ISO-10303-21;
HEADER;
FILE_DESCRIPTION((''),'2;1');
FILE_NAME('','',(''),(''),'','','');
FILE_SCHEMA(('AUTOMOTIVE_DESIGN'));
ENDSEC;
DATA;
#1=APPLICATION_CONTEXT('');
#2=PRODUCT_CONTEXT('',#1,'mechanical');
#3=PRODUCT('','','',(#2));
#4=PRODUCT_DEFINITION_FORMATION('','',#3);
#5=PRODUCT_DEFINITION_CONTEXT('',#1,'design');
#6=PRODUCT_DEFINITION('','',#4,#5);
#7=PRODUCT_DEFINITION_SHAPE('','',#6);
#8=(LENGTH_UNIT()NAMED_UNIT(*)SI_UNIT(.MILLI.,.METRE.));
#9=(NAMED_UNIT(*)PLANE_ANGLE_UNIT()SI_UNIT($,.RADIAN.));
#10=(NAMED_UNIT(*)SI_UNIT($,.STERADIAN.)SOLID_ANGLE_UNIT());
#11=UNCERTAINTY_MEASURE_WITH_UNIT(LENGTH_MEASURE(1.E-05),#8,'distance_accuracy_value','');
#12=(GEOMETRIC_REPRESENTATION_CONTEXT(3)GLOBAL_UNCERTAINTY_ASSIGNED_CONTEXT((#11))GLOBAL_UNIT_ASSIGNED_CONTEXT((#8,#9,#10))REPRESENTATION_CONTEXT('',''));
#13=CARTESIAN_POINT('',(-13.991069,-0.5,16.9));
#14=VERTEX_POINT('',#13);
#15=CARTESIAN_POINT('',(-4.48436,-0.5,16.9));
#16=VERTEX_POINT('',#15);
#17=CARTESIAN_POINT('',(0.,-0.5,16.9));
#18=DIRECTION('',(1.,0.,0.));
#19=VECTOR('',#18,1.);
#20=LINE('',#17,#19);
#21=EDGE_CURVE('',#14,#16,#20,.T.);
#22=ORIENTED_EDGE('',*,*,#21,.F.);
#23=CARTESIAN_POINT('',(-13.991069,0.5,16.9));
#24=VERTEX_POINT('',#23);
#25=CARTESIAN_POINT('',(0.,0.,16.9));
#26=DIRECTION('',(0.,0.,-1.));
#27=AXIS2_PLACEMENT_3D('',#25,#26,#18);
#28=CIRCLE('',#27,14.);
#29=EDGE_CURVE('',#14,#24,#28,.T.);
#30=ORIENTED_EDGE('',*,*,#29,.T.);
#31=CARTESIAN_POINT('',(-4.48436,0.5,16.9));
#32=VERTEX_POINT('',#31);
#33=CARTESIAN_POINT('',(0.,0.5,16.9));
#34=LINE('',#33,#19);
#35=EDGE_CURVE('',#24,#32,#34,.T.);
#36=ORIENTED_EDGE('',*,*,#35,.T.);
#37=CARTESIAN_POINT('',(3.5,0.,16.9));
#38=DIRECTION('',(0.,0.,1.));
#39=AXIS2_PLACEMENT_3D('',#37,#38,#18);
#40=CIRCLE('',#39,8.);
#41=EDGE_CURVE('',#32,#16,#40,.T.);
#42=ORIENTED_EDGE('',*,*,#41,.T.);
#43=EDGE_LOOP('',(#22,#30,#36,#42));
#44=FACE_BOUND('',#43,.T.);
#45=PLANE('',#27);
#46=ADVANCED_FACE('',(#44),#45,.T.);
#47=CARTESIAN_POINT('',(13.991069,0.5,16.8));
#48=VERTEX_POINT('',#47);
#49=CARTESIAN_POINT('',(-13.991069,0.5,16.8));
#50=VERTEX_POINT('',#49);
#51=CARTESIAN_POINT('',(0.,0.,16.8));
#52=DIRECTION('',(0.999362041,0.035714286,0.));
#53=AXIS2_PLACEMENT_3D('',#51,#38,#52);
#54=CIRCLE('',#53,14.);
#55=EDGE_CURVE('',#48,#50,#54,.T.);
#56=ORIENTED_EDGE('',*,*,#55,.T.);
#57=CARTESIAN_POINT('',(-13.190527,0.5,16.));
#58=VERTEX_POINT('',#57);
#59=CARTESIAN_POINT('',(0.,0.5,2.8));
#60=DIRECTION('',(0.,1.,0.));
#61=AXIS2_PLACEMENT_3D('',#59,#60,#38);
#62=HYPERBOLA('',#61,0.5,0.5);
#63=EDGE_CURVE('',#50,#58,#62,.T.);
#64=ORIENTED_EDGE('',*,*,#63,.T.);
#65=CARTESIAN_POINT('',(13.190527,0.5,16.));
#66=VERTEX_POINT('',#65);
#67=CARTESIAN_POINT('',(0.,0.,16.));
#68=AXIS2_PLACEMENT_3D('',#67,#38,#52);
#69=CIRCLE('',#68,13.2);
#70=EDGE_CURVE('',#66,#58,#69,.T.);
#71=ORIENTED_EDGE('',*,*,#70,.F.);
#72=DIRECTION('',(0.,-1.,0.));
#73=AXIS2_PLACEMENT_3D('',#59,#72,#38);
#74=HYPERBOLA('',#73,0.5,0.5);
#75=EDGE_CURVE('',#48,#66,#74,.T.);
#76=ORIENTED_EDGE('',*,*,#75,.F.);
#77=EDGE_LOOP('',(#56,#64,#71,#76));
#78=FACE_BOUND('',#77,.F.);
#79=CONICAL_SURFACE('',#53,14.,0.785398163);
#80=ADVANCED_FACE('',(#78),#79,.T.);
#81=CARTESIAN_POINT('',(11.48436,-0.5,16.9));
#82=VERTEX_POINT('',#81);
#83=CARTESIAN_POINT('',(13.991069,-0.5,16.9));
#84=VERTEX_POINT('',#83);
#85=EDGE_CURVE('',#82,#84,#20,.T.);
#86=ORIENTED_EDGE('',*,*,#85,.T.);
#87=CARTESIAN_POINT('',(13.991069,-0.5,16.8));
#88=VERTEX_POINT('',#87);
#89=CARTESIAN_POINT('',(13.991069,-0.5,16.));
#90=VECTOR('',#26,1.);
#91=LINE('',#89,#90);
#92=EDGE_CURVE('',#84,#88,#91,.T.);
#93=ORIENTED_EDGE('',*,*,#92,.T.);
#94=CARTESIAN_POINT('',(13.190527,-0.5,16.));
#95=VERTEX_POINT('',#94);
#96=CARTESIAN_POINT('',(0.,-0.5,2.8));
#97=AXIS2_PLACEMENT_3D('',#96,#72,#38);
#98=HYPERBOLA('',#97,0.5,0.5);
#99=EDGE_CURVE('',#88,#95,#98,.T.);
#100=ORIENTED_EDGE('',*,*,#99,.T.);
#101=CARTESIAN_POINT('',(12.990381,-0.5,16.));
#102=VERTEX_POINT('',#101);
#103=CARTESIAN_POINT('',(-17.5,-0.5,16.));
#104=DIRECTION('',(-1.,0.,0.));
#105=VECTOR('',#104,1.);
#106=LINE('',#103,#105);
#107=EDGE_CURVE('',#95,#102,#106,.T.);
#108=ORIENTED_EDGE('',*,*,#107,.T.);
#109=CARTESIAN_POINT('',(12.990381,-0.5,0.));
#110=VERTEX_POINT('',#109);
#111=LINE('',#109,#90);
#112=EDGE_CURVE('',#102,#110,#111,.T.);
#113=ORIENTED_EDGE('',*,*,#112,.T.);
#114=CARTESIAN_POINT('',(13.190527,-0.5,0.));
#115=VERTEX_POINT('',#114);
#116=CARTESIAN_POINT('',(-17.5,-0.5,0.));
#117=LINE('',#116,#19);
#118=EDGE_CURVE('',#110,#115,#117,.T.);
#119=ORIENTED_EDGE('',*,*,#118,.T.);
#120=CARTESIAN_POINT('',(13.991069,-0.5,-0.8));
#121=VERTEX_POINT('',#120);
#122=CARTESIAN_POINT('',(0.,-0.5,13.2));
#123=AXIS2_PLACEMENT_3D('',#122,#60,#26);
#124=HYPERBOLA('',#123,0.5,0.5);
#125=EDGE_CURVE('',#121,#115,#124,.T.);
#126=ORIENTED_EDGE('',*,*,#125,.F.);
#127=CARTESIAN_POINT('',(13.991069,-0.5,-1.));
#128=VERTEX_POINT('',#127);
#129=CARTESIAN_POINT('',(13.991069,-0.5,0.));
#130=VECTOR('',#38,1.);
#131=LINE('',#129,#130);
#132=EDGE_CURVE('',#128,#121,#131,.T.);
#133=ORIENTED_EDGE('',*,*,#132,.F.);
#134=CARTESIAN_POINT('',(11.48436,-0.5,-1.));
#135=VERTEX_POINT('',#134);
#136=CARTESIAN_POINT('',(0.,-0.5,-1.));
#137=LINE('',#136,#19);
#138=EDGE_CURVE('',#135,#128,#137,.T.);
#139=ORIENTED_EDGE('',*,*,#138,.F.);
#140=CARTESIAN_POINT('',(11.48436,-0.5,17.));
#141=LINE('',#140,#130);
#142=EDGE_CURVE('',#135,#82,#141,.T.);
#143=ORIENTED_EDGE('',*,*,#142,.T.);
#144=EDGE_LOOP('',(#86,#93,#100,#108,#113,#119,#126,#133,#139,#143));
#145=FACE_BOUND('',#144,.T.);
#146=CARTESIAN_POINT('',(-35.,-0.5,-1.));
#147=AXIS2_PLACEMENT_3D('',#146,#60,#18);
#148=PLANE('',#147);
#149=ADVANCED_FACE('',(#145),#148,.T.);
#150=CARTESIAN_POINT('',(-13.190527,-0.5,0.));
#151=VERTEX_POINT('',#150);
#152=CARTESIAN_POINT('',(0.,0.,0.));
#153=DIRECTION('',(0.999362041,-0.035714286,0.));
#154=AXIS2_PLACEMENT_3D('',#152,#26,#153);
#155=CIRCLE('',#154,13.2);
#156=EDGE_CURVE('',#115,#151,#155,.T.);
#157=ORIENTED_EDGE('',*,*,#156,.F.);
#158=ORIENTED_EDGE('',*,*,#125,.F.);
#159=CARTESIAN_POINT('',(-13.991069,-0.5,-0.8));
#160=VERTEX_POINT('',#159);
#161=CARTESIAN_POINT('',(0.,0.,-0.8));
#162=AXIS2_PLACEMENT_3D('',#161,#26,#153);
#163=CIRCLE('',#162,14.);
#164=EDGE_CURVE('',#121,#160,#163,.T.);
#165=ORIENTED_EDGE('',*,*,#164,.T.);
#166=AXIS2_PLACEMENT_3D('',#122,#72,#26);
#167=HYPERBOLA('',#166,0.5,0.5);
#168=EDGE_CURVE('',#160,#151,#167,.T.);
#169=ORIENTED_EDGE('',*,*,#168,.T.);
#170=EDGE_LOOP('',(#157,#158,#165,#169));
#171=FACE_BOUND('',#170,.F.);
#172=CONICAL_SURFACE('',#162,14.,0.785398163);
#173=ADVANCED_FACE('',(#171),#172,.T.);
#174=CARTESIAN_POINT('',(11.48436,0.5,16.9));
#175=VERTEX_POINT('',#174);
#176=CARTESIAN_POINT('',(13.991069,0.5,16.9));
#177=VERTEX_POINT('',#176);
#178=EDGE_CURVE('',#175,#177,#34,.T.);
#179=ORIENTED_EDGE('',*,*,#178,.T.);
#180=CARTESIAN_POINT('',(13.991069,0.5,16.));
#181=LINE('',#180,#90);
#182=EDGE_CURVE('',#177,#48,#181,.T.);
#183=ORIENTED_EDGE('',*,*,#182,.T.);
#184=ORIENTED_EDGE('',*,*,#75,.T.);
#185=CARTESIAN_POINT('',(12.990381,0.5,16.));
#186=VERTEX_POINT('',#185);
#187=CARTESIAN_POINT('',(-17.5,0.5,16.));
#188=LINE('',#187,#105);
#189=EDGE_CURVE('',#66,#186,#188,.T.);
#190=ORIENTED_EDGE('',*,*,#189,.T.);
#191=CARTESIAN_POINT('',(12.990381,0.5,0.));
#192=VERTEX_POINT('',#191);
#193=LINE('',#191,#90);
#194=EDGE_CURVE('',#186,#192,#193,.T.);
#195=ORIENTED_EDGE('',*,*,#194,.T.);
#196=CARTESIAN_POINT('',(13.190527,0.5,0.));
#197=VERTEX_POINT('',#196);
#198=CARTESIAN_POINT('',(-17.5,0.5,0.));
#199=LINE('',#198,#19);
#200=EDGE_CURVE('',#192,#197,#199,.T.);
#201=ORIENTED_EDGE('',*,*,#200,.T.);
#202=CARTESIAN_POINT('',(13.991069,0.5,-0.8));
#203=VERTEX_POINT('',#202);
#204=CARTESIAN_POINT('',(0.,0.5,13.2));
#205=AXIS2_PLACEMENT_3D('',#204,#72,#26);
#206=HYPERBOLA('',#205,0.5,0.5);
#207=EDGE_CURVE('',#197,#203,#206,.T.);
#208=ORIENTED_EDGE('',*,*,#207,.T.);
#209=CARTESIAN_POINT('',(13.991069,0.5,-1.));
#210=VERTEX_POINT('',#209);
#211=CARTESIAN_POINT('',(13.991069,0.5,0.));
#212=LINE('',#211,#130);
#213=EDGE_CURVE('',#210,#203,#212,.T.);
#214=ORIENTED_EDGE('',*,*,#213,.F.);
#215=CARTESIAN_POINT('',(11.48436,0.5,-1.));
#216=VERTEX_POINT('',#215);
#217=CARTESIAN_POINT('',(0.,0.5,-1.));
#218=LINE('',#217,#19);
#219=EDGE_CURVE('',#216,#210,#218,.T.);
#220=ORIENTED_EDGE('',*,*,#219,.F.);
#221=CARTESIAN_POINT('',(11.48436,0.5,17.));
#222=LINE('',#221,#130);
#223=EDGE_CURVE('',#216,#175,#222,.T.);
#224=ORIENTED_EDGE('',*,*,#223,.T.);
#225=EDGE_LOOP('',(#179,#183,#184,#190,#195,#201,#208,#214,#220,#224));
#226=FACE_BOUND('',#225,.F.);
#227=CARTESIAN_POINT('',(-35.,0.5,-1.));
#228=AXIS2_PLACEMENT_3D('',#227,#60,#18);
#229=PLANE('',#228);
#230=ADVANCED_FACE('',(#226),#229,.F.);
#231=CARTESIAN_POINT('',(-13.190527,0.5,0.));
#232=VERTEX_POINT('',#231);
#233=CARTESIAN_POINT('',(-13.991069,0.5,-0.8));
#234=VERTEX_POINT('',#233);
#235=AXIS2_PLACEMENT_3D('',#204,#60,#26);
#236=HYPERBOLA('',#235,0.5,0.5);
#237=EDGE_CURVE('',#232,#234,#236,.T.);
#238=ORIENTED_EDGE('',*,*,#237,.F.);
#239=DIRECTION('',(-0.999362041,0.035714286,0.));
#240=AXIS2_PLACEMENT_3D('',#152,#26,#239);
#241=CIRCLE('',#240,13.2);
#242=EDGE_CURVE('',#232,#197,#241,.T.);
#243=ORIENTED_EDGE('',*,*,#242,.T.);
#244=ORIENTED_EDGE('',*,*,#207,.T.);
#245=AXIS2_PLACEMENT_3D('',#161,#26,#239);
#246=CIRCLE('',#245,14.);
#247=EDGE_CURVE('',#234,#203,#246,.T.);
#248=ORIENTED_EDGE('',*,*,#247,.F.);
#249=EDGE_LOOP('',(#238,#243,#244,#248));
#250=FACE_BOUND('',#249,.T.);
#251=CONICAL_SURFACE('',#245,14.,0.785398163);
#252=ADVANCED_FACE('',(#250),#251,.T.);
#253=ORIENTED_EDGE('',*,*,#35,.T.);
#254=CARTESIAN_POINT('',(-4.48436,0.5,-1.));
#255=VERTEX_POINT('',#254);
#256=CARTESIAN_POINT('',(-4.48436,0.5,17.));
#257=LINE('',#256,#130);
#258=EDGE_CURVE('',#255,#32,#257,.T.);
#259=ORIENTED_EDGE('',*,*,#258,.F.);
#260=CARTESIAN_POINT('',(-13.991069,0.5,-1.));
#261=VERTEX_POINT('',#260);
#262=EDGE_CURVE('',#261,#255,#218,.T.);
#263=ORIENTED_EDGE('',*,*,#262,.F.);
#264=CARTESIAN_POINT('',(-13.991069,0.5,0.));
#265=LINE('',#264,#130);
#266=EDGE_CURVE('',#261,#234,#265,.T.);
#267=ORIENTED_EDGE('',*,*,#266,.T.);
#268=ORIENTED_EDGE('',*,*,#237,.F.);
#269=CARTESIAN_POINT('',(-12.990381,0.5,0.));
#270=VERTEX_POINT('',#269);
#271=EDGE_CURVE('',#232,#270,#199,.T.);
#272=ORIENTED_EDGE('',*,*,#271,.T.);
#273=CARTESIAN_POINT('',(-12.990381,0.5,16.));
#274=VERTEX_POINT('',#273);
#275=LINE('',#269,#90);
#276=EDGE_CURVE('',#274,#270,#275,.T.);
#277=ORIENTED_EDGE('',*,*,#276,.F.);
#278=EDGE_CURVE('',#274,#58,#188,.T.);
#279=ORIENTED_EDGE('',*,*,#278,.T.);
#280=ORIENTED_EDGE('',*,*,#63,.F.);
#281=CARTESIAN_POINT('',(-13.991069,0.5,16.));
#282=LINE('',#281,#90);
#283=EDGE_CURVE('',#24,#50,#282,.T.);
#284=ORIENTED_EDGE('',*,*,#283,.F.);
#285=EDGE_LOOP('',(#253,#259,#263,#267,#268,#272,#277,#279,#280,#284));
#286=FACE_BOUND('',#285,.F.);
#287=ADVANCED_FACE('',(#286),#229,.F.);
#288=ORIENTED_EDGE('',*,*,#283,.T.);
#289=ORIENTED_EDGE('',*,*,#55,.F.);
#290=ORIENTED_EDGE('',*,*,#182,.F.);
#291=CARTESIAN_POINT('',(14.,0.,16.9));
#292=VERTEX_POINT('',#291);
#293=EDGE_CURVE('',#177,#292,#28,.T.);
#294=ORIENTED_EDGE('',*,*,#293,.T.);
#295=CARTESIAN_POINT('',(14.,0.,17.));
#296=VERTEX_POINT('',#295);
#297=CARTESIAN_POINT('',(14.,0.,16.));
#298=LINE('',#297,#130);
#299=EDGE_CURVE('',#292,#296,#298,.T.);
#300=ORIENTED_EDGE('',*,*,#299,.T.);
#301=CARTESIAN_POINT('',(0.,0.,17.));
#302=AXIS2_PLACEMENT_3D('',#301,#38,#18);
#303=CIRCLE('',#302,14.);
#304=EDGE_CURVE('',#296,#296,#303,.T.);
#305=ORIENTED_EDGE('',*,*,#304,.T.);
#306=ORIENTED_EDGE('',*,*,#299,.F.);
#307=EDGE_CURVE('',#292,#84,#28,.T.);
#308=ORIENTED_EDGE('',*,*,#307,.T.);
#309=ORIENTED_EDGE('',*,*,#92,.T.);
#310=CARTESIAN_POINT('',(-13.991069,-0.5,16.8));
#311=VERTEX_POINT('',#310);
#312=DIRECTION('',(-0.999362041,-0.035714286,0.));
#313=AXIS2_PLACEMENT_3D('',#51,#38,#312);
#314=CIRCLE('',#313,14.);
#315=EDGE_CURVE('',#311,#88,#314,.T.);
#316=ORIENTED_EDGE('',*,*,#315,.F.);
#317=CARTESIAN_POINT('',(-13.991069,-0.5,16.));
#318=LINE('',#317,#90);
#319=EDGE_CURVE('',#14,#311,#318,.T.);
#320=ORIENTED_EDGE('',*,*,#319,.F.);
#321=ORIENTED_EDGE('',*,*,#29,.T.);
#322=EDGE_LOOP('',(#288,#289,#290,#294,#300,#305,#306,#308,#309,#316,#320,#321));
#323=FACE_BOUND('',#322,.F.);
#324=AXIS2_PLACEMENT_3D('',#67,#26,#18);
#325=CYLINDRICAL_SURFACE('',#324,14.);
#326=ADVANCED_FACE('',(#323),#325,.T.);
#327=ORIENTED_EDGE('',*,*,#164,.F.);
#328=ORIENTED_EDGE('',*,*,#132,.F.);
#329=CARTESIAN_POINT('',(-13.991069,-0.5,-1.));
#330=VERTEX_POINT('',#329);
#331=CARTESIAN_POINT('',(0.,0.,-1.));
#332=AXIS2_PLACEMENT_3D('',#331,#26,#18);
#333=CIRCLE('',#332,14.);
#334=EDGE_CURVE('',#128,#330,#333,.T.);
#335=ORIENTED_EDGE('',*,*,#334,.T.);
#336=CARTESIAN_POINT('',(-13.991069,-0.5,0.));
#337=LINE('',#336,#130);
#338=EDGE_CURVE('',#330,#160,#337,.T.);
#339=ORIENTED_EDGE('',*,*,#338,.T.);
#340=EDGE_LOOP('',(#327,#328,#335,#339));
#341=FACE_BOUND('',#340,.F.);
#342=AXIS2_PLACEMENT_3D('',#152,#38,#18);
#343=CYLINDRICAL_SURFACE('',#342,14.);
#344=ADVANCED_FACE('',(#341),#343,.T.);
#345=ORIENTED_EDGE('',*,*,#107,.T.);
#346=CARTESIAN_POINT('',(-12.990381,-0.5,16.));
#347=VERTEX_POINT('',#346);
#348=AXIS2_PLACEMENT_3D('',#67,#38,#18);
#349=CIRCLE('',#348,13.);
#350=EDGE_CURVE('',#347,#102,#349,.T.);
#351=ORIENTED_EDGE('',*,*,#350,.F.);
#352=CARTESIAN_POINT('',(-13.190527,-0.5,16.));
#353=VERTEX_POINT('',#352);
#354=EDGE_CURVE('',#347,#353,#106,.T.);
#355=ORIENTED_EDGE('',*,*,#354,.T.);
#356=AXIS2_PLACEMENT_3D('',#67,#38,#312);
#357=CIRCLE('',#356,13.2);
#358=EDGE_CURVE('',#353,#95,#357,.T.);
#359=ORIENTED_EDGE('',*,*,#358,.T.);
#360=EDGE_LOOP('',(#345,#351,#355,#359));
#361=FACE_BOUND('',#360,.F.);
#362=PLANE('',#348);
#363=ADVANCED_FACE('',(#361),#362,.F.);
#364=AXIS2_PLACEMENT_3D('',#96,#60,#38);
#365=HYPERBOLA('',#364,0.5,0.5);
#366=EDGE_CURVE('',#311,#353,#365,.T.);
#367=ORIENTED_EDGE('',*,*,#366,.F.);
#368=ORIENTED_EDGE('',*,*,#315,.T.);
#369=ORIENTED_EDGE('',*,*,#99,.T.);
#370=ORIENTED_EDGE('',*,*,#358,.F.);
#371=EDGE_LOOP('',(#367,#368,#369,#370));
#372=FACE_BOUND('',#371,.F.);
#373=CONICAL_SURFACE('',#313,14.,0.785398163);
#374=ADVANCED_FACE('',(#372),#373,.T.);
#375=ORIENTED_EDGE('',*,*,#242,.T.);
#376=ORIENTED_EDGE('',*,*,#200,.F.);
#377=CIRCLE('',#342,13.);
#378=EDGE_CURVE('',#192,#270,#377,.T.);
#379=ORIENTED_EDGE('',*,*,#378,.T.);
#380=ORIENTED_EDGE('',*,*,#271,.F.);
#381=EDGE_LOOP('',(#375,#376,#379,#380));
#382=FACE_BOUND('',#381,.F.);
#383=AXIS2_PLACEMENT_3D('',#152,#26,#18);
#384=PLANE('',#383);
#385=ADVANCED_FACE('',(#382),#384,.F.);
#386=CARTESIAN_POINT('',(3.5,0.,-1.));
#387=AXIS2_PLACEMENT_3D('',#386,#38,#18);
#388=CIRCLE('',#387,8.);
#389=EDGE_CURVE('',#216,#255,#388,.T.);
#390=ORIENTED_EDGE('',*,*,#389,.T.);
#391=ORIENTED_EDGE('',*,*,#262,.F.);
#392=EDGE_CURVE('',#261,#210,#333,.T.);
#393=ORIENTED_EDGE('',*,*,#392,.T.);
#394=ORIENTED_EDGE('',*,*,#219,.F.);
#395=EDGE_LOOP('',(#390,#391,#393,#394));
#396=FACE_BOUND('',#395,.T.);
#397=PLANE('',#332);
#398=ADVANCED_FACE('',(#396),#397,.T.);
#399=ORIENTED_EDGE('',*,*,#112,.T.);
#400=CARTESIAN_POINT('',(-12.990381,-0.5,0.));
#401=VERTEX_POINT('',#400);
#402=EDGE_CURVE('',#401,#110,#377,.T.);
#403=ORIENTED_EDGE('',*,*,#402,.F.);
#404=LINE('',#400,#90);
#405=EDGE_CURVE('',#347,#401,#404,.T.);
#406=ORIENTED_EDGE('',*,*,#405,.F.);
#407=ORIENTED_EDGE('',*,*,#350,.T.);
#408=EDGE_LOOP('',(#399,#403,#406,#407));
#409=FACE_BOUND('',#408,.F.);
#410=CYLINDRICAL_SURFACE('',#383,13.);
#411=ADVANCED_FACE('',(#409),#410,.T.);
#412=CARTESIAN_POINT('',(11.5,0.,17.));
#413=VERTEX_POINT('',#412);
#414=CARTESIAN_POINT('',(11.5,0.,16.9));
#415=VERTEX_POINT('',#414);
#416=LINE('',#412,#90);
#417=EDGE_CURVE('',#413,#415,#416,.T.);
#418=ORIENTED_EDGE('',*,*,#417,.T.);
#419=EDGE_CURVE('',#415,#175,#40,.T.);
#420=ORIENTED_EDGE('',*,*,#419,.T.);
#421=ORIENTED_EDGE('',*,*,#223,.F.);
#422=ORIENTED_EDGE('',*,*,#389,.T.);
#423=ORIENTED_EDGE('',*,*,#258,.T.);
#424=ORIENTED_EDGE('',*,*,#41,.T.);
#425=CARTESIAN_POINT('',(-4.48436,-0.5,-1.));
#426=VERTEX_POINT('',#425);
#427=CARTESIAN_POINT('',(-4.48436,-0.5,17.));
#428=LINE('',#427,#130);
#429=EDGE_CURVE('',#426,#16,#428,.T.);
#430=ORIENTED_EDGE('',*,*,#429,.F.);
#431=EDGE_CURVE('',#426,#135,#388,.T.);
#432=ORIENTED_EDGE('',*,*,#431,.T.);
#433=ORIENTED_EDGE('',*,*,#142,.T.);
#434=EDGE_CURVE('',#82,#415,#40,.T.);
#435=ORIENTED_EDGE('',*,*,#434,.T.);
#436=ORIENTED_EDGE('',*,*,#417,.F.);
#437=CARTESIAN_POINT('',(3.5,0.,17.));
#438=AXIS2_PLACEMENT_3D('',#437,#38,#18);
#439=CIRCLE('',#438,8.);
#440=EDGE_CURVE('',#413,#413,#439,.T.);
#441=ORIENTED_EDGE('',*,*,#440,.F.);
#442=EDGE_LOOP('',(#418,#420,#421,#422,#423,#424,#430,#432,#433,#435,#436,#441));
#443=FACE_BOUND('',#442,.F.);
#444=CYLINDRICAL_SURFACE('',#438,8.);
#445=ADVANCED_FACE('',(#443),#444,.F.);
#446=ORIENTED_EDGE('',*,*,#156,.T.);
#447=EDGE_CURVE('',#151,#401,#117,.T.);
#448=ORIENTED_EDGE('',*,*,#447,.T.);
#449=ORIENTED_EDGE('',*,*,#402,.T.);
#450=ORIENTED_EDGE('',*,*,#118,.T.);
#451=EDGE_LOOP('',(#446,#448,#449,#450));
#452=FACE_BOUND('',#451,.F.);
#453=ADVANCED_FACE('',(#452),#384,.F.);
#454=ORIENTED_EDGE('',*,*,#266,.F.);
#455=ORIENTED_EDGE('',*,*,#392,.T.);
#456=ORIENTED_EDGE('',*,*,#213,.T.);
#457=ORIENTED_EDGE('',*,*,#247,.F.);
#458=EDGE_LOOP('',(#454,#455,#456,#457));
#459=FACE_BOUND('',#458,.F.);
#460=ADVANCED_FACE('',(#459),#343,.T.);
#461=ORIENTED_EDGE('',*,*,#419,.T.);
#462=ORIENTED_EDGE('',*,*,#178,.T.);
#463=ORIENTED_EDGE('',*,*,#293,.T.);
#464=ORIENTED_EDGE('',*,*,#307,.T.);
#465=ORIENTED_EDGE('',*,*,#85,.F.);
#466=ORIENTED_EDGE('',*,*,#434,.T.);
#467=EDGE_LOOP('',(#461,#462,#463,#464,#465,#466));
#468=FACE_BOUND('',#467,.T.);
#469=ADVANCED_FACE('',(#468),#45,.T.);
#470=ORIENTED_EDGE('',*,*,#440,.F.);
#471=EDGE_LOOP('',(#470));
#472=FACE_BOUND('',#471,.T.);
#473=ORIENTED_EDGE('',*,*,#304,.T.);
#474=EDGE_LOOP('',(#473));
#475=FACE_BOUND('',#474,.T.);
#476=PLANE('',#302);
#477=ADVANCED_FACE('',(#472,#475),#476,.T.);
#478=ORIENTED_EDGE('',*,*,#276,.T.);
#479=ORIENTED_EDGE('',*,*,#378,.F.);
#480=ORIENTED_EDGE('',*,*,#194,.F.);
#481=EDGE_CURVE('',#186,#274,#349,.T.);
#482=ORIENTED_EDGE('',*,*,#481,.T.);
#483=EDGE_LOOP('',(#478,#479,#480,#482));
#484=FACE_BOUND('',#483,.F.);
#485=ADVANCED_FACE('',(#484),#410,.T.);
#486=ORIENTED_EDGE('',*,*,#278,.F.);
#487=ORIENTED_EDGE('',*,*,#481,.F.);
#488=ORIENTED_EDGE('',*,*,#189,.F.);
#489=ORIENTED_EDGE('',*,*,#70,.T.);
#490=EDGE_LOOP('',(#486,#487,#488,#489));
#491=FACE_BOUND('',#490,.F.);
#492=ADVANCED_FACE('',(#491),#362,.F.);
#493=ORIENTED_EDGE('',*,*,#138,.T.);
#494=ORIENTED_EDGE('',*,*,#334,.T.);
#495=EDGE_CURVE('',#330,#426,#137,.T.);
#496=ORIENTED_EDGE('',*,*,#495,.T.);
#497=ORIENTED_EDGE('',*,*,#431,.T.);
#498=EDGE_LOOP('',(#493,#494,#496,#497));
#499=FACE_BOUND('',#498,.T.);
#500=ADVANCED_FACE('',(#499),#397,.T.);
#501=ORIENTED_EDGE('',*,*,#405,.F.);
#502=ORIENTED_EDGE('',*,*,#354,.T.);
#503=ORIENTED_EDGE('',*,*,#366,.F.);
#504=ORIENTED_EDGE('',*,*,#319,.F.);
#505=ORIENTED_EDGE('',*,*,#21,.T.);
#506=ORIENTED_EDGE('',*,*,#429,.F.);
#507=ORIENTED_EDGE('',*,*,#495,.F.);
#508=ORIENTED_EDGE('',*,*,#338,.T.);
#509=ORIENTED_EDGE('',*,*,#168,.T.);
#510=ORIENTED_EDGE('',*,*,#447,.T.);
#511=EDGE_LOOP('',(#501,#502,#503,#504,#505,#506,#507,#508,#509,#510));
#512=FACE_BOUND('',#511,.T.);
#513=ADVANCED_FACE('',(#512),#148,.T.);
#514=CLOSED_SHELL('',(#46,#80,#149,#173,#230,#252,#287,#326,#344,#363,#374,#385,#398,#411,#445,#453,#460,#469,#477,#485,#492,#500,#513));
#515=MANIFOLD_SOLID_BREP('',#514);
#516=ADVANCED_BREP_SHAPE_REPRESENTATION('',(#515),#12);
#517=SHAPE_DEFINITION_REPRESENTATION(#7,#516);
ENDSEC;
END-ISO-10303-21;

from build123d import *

# Parameters (mm, degrees)
SKETCH_R        = 13
PAD_DEPTH       = 16
SKETCH001_R     = 14
PAD001_DEPTH    = 1
SKETCH002_R     = 14
PAD002_DEPTH    = 1
SKETCH003_R     = 8
POCKET_DEPTH    = 18.001
SKETCH004_W     = 70
SKETCH004_H     = 1
POCKET001_DEPTH = 17.9
CHAMFER_SIZE    = 0.8


with BuildPart() as part:
    # Sketch → Pad (new body)
    with BuildSketch(Plane.XY):
        Circle(SKETCH_R)
    extrude(amount=PAD_DEPTH)

    # Sketch001 → Pad001 (new body)
    with BuildSketch(Plane.XY.offset(16)):
        Circle(SKETCH001_R)
    extrude(amount=PAD001_DEPTH)

    # Sketch002 → Pad002 (new body)
    with BuildSketch(Plane(origin=(0, 0, 0), x_dir=(1, 0, 0), z_dir=(0, 0, -1))):
        Circle(SKETCH002_R)
    extrude(amount=PAD002_DEPTH)

    # Sketch003 → Pocket (cut, through all)
    with BuildSketch(Plane.XY.offset(17)):
        with Locations((3.5, 0)):
            Circle(SKETCH003_R)
    extrude(amount=-POCKET_DEPTH, mode=Mode.SUBTRACT)

    # Sketch004 → Pocket001 (cut)
    with BuildSketch(Plane(origin=(0, 0, -1), x_dir=(1, 0, 0), z_dir=(0, 0, -1))):
        Rectangle(SKETCH004_W, SKETCH004_H)
    extrude(amount=-POCKET001_DEPTH, mode=Mode.SUBTRACT)

    # Chamfer
    chamfer_edges = [part.edges().sort_by_distance(p)[0] for p in [
        (0, 14, 16),
        (0, -14, 16),
        (0, -14, 0),
        (0, 14, 0),
    ]]
    chamfer(chamfer_edges, length=CHAMFER_SIZE)


solid = part.part
